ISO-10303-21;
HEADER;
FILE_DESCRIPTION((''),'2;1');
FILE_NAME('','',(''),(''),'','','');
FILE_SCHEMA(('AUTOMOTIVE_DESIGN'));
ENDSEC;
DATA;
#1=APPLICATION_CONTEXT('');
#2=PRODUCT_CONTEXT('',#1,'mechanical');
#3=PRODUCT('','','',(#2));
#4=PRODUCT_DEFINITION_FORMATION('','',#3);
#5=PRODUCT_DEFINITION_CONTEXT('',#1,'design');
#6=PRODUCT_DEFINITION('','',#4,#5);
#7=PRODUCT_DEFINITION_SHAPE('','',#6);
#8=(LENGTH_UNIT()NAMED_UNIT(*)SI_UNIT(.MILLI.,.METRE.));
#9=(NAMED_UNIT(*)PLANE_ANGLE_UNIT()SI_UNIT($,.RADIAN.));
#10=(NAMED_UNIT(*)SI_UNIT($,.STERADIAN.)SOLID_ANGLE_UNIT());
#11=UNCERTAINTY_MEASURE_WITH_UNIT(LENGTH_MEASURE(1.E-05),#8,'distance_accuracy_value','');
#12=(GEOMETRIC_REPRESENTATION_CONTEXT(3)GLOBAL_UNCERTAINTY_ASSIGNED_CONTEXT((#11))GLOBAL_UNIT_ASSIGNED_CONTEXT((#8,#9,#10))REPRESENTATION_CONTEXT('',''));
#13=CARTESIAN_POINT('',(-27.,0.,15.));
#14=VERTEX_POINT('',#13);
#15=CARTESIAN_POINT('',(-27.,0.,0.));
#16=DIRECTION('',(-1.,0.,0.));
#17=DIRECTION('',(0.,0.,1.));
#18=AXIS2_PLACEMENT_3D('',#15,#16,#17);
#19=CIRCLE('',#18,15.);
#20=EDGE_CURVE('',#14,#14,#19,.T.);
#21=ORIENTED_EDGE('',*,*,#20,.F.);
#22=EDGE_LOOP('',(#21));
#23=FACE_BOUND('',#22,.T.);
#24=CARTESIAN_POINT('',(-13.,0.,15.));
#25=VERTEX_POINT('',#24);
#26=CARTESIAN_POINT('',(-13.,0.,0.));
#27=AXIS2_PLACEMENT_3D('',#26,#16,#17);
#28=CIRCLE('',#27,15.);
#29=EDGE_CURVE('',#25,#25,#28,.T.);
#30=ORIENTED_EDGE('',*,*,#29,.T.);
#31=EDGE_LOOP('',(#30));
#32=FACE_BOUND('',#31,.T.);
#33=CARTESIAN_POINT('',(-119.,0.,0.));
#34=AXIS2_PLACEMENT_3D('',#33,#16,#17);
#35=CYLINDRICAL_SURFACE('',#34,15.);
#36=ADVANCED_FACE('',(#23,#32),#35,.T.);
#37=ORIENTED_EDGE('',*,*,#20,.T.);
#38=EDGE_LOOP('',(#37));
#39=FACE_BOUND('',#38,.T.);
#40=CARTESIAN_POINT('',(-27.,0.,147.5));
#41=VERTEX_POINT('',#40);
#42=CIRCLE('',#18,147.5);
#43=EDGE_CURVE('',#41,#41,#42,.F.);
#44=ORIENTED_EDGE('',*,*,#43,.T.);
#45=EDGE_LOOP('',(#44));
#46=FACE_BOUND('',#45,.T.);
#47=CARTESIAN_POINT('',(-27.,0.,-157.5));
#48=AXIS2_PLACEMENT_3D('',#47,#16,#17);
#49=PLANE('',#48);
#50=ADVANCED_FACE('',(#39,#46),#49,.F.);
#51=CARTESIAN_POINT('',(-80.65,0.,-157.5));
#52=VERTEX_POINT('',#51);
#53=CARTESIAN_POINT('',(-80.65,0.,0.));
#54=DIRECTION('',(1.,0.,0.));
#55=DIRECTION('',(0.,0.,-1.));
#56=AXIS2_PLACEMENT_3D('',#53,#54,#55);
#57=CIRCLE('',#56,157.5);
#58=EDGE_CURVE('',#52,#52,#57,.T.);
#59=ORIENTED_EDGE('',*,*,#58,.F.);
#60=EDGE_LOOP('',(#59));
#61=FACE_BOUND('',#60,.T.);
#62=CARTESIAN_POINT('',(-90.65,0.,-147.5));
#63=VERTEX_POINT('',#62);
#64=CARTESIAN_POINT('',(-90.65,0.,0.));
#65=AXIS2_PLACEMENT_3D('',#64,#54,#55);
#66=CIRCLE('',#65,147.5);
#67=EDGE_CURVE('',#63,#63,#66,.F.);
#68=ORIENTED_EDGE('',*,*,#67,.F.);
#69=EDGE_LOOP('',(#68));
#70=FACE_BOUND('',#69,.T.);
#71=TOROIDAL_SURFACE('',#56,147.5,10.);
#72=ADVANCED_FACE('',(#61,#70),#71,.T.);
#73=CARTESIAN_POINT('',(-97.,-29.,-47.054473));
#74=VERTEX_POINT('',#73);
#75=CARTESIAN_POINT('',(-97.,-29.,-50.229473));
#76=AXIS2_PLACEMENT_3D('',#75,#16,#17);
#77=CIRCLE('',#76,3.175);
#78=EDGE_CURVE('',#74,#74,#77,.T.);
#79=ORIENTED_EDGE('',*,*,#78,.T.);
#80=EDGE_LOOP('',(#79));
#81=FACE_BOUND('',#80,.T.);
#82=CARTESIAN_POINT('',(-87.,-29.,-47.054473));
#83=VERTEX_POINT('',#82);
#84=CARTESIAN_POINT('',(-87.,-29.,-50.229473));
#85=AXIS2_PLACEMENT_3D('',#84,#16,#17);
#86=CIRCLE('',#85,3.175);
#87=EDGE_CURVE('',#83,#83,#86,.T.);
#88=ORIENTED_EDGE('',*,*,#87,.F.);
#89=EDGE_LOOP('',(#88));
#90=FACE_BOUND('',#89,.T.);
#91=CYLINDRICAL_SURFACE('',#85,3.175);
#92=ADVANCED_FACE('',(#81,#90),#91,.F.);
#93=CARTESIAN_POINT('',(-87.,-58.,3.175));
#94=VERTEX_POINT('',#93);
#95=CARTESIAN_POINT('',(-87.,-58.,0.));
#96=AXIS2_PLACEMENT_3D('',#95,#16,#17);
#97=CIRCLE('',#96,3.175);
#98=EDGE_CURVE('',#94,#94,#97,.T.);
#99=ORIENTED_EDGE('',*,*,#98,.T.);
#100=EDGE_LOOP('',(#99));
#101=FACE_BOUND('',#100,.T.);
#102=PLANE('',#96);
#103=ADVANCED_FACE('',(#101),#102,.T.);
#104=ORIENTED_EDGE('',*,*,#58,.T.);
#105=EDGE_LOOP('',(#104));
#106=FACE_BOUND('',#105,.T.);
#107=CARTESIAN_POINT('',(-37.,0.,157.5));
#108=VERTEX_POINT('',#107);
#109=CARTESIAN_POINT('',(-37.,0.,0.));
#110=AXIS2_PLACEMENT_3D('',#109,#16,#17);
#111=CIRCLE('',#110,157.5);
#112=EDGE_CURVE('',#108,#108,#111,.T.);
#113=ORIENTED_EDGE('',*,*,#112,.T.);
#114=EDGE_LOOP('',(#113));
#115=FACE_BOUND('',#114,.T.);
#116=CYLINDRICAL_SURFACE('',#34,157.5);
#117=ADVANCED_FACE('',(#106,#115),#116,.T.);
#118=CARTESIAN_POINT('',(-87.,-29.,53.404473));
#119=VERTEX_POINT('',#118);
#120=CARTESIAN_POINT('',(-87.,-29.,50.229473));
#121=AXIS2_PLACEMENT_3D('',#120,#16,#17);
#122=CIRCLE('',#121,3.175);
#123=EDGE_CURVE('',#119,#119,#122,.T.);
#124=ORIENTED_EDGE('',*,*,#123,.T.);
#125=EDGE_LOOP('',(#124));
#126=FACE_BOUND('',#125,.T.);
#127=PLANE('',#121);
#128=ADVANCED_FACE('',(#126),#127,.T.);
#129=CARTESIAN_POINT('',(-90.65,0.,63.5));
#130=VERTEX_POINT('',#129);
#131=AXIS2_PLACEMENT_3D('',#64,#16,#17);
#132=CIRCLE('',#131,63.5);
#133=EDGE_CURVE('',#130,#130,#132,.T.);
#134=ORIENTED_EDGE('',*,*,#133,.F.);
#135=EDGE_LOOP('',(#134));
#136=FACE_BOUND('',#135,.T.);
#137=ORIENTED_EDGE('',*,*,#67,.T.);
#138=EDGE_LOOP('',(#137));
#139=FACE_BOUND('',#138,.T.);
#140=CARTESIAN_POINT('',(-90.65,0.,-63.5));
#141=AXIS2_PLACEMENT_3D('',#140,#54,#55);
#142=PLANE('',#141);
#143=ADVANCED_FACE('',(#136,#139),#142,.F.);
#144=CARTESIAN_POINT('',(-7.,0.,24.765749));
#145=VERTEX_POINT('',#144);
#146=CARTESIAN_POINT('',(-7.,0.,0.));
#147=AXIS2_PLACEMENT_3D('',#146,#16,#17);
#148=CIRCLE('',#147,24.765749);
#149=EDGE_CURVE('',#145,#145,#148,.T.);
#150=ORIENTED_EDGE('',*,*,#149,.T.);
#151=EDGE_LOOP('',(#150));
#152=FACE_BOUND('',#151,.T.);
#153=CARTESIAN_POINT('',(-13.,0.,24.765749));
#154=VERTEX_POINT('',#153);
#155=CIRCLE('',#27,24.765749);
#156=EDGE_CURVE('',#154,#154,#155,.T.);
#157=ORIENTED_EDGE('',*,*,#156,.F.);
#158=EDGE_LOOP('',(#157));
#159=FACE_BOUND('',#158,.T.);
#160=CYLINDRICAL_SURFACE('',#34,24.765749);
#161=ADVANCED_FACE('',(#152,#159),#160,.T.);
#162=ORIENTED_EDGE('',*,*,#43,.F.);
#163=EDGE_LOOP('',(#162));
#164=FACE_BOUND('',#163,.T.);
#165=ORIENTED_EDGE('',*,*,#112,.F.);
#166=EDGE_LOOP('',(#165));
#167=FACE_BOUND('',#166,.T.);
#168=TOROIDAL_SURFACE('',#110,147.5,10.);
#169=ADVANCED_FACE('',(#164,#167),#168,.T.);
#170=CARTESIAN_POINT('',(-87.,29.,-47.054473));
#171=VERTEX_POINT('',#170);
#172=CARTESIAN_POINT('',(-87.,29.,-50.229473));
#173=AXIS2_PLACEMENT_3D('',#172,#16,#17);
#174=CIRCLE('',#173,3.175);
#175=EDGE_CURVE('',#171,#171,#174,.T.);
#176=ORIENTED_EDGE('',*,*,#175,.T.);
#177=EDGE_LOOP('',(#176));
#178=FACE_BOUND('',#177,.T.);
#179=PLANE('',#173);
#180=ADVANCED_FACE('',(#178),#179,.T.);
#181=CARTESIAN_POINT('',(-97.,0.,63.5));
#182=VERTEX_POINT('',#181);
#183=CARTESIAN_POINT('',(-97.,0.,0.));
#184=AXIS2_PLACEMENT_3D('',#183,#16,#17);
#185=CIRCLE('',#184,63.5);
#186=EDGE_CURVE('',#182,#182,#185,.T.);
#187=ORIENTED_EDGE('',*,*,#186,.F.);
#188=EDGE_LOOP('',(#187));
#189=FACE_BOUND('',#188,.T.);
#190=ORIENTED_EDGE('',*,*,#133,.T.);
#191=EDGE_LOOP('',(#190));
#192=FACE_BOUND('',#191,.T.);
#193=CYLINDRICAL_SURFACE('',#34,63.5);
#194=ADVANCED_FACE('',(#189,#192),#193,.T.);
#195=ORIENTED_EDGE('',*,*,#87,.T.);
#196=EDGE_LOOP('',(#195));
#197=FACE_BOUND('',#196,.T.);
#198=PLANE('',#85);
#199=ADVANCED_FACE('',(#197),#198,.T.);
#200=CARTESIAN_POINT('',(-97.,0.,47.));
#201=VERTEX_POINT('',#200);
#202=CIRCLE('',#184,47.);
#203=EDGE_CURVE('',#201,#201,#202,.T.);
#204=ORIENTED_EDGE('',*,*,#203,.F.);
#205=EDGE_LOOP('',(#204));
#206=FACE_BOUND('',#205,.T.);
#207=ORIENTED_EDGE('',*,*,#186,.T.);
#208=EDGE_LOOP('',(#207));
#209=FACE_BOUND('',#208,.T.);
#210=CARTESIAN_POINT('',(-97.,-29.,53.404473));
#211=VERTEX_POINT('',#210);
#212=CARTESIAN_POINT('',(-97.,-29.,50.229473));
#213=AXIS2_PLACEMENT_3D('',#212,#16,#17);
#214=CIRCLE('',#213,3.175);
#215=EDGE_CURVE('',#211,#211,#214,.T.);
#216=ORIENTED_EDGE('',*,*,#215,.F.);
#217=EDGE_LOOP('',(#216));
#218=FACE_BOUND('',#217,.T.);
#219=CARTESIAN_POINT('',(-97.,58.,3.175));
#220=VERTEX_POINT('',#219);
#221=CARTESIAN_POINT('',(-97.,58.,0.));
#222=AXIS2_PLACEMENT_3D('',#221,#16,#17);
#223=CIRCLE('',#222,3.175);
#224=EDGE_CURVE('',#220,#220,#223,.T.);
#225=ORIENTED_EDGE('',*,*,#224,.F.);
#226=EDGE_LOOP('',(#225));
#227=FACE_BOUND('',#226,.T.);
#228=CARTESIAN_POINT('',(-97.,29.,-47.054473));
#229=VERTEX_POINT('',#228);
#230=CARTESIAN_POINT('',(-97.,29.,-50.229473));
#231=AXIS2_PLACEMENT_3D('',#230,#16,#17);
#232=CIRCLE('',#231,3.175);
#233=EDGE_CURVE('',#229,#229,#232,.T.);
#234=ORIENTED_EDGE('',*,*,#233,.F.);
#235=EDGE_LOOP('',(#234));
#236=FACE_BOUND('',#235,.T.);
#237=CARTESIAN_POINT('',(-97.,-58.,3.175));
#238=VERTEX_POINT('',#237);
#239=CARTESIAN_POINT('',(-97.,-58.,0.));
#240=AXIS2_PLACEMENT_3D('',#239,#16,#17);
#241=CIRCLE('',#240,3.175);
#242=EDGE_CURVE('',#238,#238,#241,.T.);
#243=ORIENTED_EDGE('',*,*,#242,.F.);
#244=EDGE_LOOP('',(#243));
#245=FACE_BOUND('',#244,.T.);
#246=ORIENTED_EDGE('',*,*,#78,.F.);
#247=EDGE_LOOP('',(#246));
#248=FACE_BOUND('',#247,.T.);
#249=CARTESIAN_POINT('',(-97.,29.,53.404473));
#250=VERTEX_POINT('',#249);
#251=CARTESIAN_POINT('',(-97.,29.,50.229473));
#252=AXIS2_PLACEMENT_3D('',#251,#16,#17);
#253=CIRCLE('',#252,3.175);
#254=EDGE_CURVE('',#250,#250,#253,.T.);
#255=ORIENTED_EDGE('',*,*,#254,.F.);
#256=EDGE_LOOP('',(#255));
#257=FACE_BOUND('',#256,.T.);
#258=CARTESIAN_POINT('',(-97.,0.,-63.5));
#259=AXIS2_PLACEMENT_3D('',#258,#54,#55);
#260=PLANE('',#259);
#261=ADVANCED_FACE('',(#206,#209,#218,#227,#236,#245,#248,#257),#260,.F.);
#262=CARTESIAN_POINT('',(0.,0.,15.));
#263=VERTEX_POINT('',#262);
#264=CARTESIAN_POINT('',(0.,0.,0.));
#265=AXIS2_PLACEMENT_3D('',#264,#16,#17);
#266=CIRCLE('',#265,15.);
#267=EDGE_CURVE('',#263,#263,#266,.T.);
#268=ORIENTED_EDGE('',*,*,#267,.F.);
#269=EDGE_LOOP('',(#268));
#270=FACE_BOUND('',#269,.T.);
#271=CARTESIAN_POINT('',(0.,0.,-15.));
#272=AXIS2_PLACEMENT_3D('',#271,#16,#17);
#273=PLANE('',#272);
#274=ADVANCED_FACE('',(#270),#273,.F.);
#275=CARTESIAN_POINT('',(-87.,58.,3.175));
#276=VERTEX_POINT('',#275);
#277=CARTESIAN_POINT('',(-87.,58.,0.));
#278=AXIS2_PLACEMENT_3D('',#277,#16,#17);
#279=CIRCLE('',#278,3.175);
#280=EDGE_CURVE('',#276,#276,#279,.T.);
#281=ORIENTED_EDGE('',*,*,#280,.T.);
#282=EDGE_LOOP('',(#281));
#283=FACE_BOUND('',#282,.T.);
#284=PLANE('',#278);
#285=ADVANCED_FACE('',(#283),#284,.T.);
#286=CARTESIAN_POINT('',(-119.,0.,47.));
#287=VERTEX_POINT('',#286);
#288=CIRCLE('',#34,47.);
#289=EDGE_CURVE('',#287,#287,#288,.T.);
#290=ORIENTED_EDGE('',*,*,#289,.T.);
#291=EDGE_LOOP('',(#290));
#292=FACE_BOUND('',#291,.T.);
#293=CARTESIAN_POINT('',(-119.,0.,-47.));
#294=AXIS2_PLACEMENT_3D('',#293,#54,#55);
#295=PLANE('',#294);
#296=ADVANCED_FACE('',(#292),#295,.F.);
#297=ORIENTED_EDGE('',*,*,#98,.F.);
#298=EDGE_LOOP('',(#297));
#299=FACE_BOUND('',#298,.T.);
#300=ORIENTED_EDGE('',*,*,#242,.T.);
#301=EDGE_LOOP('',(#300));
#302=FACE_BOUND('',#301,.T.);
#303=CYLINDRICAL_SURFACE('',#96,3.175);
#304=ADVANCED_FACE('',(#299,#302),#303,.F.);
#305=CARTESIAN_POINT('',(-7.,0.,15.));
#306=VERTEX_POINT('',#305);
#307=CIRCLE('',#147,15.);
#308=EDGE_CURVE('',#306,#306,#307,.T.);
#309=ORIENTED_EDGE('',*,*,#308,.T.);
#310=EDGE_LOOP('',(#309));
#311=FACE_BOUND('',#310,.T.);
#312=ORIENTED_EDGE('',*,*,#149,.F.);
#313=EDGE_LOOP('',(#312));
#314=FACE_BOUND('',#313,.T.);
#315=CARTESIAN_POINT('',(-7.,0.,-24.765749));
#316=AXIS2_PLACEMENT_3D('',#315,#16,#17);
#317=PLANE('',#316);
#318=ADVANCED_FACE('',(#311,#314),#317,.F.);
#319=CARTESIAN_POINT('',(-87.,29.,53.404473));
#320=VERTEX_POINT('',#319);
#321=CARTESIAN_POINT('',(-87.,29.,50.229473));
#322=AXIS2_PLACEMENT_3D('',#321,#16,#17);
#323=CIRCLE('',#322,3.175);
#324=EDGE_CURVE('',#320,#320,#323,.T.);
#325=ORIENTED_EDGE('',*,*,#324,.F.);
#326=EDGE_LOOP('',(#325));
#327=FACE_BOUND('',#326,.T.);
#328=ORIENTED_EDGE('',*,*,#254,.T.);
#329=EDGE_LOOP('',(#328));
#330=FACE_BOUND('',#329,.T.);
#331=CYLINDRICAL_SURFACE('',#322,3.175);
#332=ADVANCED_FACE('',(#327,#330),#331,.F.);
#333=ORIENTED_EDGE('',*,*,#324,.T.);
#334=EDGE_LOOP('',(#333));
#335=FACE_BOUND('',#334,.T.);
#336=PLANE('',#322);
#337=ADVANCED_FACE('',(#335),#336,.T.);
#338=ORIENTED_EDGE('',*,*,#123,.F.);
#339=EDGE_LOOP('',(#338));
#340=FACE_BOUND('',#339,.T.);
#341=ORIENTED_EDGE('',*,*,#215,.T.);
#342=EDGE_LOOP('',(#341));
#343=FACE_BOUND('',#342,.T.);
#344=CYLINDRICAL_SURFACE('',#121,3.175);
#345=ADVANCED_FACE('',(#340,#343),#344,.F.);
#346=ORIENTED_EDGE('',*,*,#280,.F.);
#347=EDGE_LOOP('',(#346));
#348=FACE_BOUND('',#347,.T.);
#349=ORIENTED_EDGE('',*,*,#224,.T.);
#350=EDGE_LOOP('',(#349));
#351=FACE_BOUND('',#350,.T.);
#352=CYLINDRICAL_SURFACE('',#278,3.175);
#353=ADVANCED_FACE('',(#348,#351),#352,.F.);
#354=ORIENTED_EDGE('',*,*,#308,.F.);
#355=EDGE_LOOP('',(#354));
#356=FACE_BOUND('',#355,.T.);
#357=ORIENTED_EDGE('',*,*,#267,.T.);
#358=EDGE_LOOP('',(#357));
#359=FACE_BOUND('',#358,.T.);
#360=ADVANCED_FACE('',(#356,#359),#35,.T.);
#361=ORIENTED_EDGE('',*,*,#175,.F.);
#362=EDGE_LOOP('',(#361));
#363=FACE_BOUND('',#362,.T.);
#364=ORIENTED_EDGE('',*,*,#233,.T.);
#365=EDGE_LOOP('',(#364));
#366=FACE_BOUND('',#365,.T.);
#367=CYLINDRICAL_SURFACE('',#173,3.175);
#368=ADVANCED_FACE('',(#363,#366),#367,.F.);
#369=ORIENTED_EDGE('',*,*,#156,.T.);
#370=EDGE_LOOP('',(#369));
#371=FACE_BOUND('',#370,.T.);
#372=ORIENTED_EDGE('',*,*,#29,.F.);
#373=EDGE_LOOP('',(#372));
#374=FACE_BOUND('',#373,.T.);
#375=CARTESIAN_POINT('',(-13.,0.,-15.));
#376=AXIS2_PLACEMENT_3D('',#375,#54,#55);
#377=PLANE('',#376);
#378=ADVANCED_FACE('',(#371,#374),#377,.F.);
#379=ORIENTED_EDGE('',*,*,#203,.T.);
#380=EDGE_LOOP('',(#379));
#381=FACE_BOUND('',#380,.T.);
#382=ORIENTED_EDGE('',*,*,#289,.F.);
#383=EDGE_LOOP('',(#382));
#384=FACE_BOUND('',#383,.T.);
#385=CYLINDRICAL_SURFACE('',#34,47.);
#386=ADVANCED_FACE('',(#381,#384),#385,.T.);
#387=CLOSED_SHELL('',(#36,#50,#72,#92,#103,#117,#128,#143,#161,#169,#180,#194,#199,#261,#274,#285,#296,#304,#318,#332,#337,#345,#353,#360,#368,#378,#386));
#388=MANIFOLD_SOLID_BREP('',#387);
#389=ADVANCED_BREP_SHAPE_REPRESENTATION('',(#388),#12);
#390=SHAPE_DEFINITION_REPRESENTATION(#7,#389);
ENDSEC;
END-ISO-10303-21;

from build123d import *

# Parameters (mm, degrees)
FILLET1_R          = 10
SKETCH2_R          = 3.175
CUT_EXTRUDE1_DEPTH = 10


with BuildPart() as part:
    # Sketch1 → Revolve1 (revolve)
    with BuildSketch(Plane(origin=(0, 0, 0), x_dir=(1, 0, 0), z_dir=(0, 1, 0)), mode=Mode.PRIVATE) as revolve1_sk:
        Polygon((-27, 157.5), (-27, 15), (-13, 15), (-13, 24.765749007), (-7, 24.765749007), (-7, 15), (0, 15), (0, 0), (-119, 0), (-119, 47), (-97, 47), (-97, 63.5), (-90.65, 63.5), (-90.65, 157.5), align=None)
    revolve(revolve1_sk.sketch.rotate(Axis((-119, 0, 0), (1, 0, 0)), 180), axis=Axis((-119, 0, 0), (1, 0, 0)))

    # Fillet1
    fillet1_edges = [part.edges().sort_by_distance(p)[0] for p in [
        (-27, 0, -157.5),
        (-90.65, 0, -157.5),
    ]]
    fillet(fillet1_edges, radius=FILLET1_R)

    # Sketch2 → Cut-Extrude1 (cut)
    with BuildSketch(Plane.ZY.offset(97)):
        with Locations((0, 58)):
            Circle(SKETCH2_R)
        with Locations((50.229473419, 29)):
            Circle(SKETCH2_R)
        with Locations((50.229473419, -29)):
            Circle(SKETCH2_R)
        with Locations((0, -58)):
            Circle(SKETCH2_R)
        with Locations((-50.22947342, -29)):
            Circle(SKETCH2_R)
        with Locations((-50.229473419, 29)):
            Circle(SKETCH2_R)
    extrude(amount=-CUT_EXTRUDE1_DEPTH, mode=Mode.SUBTRACT)


solid = part.part
